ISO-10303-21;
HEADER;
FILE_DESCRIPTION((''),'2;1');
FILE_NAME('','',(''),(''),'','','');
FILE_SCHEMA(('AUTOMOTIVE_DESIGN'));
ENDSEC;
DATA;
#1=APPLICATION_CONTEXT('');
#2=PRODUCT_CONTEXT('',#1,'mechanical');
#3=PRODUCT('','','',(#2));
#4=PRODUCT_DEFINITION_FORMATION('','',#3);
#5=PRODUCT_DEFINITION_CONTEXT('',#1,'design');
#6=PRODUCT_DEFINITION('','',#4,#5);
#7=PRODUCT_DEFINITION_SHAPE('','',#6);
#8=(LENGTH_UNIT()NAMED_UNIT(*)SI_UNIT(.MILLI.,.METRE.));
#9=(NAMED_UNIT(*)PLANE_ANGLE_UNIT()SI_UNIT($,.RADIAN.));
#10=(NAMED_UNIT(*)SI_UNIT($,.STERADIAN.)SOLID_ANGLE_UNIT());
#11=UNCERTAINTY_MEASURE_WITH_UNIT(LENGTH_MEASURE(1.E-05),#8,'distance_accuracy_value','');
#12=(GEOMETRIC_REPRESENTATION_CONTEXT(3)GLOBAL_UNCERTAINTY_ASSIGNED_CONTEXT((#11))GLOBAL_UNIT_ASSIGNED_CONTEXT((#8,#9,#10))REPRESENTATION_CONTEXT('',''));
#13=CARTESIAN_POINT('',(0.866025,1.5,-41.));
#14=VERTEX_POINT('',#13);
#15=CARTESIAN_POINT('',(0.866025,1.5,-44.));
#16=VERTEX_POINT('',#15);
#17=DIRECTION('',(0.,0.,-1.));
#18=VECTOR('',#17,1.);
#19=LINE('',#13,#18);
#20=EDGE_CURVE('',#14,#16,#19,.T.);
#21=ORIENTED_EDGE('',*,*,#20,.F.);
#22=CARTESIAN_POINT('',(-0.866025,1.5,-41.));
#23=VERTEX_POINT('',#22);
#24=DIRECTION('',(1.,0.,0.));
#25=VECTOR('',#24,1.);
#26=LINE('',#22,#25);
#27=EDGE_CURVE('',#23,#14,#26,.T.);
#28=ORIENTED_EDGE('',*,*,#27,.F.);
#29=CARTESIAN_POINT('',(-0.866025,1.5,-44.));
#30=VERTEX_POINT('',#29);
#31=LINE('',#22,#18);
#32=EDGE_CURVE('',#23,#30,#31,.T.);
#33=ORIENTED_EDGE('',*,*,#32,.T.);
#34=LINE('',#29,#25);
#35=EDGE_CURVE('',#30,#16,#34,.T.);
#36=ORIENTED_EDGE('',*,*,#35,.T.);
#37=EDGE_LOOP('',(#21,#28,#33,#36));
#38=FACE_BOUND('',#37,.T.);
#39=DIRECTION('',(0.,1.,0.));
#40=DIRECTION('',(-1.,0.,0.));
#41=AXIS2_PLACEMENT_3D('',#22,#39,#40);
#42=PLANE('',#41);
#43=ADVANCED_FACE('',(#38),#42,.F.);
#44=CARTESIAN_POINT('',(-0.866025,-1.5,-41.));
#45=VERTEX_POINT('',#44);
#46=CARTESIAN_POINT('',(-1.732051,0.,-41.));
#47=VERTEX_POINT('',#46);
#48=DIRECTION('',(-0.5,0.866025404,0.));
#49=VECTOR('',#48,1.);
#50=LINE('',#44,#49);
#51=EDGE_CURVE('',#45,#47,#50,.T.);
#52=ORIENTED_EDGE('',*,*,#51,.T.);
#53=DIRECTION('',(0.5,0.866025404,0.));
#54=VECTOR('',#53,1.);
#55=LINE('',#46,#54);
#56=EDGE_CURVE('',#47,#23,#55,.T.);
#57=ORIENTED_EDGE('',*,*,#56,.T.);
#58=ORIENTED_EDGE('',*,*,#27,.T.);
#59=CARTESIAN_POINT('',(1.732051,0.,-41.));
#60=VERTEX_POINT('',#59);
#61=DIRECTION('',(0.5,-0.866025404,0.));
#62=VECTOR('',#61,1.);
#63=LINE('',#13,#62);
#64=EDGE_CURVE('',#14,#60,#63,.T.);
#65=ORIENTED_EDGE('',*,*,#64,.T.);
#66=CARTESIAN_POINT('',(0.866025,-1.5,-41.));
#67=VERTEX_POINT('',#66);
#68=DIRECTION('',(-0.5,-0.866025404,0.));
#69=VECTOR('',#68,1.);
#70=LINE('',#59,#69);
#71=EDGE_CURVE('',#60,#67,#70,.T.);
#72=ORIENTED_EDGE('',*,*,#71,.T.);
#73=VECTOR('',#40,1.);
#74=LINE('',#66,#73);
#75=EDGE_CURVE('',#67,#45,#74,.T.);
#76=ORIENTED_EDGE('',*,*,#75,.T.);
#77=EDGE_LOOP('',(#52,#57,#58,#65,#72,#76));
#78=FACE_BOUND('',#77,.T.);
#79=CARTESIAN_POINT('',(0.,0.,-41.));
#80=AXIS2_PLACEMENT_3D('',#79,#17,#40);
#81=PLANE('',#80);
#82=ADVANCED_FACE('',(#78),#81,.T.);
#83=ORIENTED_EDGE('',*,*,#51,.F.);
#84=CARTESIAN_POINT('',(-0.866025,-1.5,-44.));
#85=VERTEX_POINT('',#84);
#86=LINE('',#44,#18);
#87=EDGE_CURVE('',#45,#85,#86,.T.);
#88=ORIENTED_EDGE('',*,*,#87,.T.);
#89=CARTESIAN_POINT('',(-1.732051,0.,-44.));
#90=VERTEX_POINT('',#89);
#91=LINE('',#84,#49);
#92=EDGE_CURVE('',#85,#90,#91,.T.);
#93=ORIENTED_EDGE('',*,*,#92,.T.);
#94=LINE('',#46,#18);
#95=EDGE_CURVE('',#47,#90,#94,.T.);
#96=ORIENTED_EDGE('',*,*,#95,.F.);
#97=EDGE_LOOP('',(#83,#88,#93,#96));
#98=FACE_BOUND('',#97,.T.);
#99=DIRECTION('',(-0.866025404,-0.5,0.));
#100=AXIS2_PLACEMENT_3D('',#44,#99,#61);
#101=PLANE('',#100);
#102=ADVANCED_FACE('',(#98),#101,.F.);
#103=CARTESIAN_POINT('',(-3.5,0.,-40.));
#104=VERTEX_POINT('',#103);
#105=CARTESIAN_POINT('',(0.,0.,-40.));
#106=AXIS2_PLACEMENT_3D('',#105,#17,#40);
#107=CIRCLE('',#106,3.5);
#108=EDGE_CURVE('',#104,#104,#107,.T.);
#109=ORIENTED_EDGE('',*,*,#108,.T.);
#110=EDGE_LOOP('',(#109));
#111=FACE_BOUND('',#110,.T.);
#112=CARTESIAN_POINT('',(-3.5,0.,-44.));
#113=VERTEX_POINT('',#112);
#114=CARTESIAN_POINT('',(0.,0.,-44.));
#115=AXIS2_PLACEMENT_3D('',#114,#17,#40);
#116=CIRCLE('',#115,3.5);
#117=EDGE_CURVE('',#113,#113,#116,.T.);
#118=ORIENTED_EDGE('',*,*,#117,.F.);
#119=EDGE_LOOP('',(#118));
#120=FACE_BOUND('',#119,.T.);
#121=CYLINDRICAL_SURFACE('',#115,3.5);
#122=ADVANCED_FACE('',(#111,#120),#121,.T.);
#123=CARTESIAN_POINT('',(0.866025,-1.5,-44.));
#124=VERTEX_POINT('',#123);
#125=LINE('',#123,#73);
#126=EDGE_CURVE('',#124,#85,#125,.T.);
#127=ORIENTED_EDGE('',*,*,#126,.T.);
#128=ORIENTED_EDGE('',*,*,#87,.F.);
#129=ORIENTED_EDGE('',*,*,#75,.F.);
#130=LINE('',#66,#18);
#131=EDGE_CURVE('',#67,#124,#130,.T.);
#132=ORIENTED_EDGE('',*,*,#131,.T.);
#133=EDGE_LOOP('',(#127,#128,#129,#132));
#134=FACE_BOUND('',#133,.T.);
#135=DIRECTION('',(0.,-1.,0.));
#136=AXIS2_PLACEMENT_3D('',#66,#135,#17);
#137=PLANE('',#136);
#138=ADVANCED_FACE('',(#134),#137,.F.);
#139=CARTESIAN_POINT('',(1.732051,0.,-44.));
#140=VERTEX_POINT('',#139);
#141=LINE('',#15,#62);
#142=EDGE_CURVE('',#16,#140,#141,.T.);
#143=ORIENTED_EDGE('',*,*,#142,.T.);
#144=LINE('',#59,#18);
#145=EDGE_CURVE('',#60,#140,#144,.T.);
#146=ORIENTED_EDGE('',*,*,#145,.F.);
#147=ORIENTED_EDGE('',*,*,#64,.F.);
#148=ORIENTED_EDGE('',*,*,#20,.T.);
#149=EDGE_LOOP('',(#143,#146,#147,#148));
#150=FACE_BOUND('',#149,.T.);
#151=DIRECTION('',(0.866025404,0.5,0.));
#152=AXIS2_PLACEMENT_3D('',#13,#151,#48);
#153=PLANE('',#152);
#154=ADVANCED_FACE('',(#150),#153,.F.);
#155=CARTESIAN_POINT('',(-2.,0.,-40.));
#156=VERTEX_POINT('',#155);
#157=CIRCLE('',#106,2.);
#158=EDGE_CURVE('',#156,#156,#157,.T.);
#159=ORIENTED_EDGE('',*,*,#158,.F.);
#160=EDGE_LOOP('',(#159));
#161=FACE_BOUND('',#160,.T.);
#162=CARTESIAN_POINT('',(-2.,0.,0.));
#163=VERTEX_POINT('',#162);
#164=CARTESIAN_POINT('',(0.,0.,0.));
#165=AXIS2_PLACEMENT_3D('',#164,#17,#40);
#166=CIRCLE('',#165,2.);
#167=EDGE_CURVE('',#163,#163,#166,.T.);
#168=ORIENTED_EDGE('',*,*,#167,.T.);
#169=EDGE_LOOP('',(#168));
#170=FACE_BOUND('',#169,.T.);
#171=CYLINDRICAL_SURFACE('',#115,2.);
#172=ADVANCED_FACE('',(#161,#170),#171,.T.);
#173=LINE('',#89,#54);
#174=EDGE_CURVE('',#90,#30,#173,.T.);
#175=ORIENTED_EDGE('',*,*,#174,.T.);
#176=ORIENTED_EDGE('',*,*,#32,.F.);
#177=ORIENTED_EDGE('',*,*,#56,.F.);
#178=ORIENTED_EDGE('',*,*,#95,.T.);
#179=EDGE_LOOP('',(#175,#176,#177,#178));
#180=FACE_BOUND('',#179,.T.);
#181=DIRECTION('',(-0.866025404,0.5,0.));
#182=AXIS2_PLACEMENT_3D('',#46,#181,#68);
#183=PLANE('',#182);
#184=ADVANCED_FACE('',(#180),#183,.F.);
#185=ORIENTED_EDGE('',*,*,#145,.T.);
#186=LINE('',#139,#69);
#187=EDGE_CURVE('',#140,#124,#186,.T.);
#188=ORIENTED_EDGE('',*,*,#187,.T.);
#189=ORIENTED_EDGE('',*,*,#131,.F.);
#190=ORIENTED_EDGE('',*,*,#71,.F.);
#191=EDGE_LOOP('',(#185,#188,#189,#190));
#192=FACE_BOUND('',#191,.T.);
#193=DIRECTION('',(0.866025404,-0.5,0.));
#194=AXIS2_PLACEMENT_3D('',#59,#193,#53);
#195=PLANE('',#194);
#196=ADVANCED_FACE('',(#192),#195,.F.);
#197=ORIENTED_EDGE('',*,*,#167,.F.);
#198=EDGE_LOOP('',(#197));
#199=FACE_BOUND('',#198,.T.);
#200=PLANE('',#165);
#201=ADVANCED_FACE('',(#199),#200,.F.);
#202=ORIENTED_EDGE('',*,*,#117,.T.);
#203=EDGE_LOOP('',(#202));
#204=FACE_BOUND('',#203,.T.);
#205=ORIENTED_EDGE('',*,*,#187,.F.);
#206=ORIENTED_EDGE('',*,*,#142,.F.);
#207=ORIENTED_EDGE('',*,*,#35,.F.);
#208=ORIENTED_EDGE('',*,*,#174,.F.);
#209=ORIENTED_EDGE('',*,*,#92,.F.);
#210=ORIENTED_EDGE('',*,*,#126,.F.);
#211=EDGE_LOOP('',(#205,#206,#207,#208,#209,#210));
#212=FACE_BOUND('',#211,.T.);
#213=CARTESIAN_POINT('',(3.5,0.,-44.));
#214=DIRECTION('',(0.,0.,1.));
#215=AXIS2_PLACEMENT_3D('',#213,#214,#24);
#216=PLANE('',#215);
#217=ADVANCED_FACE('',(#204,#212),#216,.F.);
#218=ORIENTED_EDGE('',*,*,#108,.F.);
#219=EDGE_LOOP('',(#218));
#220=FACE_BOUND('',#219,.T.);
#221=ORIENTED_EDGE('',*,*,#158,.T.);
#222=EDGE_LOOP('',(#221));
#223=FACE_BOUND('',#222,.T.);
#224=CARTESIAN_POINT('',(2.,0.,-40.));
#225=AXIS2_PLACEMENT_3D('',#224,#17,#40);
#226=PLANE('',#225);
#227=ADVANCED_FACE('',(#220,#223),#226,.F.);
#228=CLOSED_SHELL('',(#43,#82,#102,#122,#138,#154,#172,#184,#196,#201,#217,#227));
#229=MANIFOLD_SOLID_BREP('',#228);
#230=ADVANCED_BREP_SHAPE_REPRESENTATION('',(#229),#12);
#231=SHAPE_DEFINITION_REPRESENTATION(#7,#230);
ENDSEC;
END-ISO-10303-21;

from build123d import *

# Parameters (mm, degrees)
CUT_EXTRUDE1_DEPTH = 3


with BuildPart() as part:
    # Sketch1 → Revolve1 (revolve)
    with BuildSketch(Plane(origin=(0, 0, 0), x_dir=(1, 0, 0), z_dir=(0, 1, 0)), mode=Mode.PRIVATE) as revolve1_sk:
        Polygon((0, 0), (2, 0), (2, 40), (3.5, 40), (3.5, 44), (0, 44), align=None)
    revolve(revolve1_sk.sketch.rotate(Axis((0, 0, -44), (0, 0, 1)), 180), axis=Axis((0, 0, -44), (0, 0, 1)))

    # Sketch2 → Cut-Extrude1 (cut)
    with BuildSketch(Plane(origin=(0, 0, -44), x_dir=(-1, 0, 0), z_dir=(0, 0, -1))):
        Polygon((-0.866025404, -1.5), (0.866025404, -1.5), (1.732050808, 0), (0.866025404, 1.5), (-0.866025404, 1.5), (-1.732050808, 0), align=None)
    extrude(amount=-CUT_EXTRUDE1_DEPTH, mode=Mode.SUBTRACT)


solid = part.part
